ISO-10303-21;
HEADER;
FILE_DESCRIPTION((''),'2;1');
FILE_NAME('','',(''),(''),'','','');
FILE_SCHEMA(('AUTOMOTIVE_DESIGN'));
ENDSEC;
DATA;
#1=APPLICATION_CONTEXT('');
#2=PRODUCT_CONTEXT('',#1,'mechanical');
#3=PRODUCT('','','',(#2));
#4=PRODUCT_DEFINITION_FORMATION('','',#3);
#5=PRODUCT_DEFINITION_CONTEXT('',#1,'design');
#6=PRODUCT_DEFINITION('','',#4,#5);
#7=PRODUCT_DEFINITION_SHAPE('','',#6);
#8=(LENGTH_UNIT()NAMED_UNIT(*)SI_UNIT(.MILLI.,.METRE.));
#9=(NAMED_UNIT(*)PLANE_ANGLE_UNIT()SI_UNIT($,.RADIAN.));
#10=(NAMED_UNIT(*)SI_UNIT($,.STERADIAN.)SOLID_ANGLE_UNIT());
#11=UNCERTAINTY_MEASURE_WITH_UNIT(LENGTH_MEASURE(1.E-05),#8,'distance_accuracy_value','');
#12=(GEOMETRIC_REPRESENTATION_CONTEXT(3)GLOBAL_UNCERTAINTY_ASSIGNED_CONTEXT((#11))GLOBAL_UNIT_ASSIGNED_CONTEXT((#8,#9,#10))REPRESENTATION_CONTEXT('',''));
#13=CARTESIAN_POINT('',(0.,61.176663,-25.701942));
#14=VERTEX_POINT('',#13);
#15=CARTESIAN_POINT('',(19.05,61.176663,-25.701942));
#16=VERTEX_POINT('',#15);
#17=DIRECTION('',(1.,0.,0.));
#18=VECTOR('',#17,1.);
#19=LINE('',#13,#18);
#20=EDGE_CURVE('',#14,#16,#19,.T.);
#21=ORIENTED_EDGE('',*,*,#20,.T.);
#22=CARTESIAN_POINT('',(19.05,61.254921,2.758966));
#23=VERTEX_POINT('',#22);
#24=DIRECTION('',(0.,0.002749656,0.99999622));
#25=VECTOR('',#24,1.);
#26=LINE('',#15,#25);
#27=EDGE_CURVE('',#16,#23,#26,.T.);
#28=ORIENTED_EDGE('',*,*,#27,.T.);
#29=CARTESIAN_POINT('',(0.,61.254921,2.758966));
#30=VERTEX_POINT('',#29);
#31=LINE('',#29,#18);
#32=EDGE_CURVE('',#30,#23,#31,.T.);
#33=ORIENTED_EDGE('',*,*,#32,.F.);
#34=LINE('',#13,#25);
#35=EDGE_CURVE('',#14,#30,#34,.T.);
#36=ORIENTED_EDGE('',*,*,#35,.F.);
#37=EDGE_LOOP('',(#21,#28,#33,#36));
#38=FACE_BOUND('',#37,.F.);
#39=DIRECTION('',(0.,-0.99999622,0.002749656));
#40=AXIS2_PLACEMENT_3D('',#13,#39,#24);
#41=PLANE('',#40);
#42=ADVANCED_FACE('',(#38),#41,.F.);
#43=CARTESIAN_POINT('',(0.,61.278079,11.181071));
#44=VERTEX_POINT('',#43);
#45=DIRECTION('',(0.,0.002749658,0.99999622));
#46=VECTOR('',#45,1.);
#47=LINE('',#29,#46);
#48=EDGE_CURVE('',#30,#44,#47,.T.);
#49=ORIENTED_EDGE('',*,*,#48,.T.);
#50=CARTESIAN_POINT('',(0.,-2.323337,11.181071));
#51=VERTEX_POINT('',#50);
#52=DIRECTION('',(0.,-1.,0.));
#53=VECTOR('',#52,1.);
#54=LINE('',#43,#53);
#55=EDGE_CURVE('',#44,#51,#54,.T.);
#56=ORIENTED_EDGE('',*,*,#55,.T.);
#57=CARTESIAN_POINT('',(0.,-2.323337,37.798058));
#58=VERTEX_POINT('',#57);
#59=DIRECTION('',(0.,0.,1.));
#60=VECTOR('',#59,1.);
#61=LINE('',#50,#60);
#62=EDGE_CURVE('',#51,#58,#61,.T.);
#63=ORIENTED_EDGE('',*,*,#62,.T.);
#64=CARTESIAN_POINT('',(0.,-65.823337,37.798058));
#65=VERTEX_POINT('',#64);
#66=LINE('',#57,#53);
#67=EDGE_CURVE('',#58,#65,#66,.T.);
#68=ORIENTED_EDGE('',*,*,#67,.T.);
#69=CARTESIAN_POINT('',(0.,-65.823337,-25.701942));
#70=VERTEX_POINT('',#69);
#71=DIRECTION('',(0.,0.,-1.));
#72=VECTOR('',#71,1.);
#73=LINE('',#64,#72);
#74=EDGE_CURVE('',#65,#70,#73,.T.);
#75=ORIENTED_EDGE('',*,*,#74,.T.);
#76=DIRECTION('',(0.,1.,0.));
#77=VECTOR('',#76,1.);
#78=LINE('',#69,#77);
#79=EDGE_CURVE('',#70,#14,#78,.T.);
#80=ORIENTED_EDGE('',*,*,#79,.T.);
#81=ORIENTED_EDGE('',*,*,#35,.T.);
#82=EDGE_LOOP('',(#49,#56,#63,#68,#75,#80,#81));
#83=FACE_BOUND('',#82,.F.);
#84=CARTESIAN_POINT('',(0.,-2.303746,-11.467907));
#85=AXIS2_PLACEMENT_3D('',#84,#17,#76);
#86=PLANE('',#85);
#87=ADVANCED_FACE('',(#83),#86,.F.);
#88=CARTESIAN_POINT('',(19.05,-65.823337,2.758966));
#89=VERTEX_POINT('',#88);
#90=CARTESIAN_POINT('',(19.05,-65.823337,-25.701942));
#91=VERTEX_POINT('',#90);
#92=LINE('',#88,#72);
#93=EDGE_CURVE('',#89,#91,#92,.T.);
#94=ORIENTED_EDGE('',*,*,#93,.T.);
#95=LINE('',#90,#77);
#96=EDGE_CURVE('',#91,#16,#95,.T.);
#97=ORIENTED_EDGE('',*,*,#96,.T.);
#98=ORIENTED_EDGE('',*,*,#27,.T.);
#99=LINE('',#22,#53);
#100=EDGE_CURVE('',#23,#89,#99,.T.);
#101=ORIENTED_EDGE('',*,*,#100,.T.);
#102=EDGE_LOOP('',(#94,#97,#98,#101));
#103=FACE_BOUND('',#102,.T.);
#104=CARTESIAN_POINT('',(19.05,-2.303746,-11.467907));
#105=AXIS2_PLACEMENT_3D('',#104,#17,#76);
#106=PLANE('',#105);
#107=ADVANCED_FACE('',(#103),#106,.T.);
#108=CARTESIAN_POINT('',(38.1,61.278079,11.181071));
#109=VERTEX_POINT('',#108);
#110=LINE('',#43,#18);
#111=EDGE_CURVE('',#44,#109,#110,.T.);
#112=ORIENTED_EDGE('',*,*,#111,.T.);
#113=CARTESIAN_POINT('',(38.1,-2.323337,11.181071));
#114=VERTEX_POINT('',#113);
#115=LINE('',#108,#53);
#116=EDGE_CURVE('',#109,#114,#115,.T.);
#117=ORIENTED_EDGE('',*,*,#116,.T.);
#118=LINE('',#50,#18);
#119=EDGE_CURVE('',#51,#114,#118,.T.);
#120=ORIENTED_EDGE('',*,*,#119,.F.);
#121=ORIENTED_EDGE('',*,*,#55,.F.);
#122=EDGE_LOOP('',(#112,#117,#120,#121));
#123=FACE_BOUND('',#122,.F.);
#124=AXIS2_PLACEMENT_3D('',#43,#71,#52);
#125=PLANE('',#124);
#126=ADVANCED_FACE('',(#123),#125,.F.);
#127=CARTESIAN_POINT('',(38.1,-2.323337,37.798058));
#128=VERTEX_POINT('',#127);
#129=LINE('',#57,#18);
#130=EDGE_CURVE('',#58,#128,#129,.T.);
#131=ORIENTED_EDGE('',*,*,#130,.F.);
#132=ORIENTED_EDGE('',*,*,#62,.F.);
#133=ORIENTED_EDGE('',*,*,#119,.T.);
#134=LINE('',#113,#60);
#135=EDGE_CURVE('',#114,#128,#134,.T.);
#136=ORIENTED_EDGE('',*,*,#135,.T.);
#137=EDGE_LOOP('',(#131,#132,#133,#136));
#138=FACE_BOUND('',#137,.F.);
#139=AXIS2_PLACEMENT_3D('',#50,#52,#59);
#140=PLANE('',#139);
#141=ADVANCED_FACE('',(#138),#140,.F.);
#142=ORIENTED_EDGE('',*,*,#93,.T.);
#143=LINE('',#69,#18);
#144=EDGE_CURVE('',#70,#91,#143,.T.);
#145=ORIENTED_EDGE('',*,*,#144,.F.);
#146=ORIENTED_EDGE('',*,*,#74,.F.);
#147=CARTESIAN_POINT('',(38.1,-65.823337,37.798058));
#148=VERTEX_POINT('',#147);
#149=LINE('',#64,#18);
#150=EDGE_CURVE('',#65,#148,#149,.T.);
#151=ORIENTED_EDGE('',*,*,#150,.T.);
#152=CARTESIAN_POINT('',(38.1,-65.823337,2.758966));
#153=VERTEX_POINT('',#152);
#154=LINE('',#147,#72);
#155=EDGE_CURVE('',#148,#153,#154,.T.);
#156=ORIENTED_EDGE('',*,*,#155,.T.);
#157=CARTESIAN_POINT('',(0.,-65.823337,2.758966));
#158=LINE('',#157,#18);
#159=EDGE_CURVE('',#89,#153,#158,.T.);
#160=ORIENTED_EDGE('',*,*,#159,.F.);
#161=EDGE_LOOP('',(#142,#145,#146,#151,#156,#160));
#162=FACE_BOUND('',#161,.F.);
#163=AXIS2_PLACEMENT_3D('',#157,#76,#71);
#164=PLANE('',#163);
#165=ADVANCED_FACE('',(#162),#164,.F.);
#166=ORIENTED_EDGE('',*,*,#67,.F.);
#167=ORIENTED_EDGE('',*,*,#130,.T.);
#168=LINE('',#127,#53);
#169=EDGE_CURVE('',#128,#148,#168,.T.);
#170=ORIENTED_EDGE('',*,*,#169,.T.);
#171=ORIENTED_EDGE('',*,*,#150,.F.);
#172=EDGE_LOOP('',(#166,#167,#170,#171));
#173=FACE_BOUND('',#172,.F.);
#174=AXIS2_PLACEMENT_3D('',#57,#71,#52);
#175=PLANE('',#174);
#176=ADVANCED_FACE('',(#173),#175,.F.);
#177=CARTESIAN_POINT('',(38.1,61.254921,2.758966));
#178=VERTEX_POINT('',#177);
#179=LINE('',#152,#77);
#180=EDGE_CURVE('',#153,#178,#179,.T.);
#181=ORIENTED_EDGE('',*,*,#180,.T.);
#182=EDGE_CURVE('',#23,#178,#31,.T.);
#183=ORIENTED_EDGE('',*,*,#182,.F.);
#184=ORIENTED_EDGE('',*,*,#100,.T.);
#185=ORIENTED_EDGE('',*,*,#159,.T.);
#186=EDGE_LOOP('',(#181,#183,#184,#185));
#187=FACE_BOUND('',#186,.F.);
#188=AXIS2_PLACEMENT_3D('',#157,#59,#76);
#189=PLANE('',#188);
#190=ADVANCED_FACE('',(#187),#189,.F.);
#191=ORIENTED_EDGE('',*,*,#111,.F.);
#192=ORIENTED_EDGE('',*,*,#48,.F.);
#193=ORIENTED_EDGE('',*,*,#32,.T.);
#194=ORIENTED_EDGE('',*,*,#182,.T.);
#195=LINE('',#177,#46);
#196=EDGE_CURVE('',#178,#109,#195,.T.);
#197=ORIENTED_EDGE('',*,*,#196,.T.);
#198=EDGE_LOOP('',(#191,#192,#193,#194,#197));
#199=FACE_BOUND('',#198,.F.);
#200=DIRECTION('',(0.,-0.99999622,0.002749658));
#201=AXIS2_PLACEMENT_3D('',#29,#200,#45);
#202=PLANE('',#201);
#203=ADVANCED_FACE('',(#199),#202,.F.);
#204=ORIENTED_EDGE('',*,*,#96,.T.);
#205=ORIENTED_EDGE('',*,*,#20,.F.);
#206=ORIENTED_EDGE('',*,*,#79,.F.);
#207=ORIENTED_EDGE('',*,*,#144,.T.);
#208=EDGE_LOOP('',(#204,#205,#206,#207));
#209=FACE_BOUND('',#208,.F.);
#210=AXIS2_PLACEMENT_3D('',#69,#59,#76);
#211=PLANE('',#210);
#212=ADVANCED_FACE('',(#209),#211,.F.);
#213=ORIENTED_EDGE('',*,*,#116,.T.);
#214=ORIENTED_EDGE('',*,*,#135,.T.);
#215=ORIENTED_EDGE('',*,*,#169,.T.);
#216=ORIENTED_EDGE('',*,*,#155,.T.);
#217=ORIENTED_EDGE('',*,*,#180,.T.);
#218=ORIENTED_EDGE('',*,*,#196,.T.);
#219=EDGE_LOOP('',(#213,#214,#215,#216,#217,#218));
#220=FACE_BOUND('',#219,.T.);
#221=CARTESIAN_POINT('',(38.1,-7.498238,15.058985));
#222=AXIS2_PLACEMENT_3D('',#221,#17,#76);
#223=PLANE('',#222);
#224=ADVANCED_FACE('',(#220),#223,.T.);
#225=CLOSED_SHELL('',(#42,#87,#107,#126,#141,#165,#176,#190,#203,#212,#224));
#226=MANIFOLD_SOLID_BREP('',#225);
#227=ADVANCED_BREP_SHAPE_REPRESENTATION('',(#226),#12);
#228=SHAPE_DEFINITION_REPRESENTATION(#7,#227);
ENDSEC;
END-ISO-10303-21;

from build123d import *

# Parameters (mm, degrees)
F1_DEPTH = 38.1
F2_DEPTH = 19.05


with BuildPart() as f1:
    # F0 (on Right) → F1 (new body)
    with BuildSketch(Plane.YZ):
        Polygon((-65.823337, 37.798058), (-65.823337, 2.758966), (61.254921, 2.758966), (61.278079, 11.181071), (-2.323337, 11.181071), (-2.323337, 37.798058), align=None)
    extrude(amount=F1_DEPTH)

    # F0 (on Right) → F2 (join)
    with BuildSketch(Plane.YZ):
        Polygon((-65.823337, 2.758966), (-65.823337, -25.701942), (61.176663, -25.701942), (61.254921, 2.758966), align=None)
    extrude(amount=F2_DEPTH)


solid = f1.part
